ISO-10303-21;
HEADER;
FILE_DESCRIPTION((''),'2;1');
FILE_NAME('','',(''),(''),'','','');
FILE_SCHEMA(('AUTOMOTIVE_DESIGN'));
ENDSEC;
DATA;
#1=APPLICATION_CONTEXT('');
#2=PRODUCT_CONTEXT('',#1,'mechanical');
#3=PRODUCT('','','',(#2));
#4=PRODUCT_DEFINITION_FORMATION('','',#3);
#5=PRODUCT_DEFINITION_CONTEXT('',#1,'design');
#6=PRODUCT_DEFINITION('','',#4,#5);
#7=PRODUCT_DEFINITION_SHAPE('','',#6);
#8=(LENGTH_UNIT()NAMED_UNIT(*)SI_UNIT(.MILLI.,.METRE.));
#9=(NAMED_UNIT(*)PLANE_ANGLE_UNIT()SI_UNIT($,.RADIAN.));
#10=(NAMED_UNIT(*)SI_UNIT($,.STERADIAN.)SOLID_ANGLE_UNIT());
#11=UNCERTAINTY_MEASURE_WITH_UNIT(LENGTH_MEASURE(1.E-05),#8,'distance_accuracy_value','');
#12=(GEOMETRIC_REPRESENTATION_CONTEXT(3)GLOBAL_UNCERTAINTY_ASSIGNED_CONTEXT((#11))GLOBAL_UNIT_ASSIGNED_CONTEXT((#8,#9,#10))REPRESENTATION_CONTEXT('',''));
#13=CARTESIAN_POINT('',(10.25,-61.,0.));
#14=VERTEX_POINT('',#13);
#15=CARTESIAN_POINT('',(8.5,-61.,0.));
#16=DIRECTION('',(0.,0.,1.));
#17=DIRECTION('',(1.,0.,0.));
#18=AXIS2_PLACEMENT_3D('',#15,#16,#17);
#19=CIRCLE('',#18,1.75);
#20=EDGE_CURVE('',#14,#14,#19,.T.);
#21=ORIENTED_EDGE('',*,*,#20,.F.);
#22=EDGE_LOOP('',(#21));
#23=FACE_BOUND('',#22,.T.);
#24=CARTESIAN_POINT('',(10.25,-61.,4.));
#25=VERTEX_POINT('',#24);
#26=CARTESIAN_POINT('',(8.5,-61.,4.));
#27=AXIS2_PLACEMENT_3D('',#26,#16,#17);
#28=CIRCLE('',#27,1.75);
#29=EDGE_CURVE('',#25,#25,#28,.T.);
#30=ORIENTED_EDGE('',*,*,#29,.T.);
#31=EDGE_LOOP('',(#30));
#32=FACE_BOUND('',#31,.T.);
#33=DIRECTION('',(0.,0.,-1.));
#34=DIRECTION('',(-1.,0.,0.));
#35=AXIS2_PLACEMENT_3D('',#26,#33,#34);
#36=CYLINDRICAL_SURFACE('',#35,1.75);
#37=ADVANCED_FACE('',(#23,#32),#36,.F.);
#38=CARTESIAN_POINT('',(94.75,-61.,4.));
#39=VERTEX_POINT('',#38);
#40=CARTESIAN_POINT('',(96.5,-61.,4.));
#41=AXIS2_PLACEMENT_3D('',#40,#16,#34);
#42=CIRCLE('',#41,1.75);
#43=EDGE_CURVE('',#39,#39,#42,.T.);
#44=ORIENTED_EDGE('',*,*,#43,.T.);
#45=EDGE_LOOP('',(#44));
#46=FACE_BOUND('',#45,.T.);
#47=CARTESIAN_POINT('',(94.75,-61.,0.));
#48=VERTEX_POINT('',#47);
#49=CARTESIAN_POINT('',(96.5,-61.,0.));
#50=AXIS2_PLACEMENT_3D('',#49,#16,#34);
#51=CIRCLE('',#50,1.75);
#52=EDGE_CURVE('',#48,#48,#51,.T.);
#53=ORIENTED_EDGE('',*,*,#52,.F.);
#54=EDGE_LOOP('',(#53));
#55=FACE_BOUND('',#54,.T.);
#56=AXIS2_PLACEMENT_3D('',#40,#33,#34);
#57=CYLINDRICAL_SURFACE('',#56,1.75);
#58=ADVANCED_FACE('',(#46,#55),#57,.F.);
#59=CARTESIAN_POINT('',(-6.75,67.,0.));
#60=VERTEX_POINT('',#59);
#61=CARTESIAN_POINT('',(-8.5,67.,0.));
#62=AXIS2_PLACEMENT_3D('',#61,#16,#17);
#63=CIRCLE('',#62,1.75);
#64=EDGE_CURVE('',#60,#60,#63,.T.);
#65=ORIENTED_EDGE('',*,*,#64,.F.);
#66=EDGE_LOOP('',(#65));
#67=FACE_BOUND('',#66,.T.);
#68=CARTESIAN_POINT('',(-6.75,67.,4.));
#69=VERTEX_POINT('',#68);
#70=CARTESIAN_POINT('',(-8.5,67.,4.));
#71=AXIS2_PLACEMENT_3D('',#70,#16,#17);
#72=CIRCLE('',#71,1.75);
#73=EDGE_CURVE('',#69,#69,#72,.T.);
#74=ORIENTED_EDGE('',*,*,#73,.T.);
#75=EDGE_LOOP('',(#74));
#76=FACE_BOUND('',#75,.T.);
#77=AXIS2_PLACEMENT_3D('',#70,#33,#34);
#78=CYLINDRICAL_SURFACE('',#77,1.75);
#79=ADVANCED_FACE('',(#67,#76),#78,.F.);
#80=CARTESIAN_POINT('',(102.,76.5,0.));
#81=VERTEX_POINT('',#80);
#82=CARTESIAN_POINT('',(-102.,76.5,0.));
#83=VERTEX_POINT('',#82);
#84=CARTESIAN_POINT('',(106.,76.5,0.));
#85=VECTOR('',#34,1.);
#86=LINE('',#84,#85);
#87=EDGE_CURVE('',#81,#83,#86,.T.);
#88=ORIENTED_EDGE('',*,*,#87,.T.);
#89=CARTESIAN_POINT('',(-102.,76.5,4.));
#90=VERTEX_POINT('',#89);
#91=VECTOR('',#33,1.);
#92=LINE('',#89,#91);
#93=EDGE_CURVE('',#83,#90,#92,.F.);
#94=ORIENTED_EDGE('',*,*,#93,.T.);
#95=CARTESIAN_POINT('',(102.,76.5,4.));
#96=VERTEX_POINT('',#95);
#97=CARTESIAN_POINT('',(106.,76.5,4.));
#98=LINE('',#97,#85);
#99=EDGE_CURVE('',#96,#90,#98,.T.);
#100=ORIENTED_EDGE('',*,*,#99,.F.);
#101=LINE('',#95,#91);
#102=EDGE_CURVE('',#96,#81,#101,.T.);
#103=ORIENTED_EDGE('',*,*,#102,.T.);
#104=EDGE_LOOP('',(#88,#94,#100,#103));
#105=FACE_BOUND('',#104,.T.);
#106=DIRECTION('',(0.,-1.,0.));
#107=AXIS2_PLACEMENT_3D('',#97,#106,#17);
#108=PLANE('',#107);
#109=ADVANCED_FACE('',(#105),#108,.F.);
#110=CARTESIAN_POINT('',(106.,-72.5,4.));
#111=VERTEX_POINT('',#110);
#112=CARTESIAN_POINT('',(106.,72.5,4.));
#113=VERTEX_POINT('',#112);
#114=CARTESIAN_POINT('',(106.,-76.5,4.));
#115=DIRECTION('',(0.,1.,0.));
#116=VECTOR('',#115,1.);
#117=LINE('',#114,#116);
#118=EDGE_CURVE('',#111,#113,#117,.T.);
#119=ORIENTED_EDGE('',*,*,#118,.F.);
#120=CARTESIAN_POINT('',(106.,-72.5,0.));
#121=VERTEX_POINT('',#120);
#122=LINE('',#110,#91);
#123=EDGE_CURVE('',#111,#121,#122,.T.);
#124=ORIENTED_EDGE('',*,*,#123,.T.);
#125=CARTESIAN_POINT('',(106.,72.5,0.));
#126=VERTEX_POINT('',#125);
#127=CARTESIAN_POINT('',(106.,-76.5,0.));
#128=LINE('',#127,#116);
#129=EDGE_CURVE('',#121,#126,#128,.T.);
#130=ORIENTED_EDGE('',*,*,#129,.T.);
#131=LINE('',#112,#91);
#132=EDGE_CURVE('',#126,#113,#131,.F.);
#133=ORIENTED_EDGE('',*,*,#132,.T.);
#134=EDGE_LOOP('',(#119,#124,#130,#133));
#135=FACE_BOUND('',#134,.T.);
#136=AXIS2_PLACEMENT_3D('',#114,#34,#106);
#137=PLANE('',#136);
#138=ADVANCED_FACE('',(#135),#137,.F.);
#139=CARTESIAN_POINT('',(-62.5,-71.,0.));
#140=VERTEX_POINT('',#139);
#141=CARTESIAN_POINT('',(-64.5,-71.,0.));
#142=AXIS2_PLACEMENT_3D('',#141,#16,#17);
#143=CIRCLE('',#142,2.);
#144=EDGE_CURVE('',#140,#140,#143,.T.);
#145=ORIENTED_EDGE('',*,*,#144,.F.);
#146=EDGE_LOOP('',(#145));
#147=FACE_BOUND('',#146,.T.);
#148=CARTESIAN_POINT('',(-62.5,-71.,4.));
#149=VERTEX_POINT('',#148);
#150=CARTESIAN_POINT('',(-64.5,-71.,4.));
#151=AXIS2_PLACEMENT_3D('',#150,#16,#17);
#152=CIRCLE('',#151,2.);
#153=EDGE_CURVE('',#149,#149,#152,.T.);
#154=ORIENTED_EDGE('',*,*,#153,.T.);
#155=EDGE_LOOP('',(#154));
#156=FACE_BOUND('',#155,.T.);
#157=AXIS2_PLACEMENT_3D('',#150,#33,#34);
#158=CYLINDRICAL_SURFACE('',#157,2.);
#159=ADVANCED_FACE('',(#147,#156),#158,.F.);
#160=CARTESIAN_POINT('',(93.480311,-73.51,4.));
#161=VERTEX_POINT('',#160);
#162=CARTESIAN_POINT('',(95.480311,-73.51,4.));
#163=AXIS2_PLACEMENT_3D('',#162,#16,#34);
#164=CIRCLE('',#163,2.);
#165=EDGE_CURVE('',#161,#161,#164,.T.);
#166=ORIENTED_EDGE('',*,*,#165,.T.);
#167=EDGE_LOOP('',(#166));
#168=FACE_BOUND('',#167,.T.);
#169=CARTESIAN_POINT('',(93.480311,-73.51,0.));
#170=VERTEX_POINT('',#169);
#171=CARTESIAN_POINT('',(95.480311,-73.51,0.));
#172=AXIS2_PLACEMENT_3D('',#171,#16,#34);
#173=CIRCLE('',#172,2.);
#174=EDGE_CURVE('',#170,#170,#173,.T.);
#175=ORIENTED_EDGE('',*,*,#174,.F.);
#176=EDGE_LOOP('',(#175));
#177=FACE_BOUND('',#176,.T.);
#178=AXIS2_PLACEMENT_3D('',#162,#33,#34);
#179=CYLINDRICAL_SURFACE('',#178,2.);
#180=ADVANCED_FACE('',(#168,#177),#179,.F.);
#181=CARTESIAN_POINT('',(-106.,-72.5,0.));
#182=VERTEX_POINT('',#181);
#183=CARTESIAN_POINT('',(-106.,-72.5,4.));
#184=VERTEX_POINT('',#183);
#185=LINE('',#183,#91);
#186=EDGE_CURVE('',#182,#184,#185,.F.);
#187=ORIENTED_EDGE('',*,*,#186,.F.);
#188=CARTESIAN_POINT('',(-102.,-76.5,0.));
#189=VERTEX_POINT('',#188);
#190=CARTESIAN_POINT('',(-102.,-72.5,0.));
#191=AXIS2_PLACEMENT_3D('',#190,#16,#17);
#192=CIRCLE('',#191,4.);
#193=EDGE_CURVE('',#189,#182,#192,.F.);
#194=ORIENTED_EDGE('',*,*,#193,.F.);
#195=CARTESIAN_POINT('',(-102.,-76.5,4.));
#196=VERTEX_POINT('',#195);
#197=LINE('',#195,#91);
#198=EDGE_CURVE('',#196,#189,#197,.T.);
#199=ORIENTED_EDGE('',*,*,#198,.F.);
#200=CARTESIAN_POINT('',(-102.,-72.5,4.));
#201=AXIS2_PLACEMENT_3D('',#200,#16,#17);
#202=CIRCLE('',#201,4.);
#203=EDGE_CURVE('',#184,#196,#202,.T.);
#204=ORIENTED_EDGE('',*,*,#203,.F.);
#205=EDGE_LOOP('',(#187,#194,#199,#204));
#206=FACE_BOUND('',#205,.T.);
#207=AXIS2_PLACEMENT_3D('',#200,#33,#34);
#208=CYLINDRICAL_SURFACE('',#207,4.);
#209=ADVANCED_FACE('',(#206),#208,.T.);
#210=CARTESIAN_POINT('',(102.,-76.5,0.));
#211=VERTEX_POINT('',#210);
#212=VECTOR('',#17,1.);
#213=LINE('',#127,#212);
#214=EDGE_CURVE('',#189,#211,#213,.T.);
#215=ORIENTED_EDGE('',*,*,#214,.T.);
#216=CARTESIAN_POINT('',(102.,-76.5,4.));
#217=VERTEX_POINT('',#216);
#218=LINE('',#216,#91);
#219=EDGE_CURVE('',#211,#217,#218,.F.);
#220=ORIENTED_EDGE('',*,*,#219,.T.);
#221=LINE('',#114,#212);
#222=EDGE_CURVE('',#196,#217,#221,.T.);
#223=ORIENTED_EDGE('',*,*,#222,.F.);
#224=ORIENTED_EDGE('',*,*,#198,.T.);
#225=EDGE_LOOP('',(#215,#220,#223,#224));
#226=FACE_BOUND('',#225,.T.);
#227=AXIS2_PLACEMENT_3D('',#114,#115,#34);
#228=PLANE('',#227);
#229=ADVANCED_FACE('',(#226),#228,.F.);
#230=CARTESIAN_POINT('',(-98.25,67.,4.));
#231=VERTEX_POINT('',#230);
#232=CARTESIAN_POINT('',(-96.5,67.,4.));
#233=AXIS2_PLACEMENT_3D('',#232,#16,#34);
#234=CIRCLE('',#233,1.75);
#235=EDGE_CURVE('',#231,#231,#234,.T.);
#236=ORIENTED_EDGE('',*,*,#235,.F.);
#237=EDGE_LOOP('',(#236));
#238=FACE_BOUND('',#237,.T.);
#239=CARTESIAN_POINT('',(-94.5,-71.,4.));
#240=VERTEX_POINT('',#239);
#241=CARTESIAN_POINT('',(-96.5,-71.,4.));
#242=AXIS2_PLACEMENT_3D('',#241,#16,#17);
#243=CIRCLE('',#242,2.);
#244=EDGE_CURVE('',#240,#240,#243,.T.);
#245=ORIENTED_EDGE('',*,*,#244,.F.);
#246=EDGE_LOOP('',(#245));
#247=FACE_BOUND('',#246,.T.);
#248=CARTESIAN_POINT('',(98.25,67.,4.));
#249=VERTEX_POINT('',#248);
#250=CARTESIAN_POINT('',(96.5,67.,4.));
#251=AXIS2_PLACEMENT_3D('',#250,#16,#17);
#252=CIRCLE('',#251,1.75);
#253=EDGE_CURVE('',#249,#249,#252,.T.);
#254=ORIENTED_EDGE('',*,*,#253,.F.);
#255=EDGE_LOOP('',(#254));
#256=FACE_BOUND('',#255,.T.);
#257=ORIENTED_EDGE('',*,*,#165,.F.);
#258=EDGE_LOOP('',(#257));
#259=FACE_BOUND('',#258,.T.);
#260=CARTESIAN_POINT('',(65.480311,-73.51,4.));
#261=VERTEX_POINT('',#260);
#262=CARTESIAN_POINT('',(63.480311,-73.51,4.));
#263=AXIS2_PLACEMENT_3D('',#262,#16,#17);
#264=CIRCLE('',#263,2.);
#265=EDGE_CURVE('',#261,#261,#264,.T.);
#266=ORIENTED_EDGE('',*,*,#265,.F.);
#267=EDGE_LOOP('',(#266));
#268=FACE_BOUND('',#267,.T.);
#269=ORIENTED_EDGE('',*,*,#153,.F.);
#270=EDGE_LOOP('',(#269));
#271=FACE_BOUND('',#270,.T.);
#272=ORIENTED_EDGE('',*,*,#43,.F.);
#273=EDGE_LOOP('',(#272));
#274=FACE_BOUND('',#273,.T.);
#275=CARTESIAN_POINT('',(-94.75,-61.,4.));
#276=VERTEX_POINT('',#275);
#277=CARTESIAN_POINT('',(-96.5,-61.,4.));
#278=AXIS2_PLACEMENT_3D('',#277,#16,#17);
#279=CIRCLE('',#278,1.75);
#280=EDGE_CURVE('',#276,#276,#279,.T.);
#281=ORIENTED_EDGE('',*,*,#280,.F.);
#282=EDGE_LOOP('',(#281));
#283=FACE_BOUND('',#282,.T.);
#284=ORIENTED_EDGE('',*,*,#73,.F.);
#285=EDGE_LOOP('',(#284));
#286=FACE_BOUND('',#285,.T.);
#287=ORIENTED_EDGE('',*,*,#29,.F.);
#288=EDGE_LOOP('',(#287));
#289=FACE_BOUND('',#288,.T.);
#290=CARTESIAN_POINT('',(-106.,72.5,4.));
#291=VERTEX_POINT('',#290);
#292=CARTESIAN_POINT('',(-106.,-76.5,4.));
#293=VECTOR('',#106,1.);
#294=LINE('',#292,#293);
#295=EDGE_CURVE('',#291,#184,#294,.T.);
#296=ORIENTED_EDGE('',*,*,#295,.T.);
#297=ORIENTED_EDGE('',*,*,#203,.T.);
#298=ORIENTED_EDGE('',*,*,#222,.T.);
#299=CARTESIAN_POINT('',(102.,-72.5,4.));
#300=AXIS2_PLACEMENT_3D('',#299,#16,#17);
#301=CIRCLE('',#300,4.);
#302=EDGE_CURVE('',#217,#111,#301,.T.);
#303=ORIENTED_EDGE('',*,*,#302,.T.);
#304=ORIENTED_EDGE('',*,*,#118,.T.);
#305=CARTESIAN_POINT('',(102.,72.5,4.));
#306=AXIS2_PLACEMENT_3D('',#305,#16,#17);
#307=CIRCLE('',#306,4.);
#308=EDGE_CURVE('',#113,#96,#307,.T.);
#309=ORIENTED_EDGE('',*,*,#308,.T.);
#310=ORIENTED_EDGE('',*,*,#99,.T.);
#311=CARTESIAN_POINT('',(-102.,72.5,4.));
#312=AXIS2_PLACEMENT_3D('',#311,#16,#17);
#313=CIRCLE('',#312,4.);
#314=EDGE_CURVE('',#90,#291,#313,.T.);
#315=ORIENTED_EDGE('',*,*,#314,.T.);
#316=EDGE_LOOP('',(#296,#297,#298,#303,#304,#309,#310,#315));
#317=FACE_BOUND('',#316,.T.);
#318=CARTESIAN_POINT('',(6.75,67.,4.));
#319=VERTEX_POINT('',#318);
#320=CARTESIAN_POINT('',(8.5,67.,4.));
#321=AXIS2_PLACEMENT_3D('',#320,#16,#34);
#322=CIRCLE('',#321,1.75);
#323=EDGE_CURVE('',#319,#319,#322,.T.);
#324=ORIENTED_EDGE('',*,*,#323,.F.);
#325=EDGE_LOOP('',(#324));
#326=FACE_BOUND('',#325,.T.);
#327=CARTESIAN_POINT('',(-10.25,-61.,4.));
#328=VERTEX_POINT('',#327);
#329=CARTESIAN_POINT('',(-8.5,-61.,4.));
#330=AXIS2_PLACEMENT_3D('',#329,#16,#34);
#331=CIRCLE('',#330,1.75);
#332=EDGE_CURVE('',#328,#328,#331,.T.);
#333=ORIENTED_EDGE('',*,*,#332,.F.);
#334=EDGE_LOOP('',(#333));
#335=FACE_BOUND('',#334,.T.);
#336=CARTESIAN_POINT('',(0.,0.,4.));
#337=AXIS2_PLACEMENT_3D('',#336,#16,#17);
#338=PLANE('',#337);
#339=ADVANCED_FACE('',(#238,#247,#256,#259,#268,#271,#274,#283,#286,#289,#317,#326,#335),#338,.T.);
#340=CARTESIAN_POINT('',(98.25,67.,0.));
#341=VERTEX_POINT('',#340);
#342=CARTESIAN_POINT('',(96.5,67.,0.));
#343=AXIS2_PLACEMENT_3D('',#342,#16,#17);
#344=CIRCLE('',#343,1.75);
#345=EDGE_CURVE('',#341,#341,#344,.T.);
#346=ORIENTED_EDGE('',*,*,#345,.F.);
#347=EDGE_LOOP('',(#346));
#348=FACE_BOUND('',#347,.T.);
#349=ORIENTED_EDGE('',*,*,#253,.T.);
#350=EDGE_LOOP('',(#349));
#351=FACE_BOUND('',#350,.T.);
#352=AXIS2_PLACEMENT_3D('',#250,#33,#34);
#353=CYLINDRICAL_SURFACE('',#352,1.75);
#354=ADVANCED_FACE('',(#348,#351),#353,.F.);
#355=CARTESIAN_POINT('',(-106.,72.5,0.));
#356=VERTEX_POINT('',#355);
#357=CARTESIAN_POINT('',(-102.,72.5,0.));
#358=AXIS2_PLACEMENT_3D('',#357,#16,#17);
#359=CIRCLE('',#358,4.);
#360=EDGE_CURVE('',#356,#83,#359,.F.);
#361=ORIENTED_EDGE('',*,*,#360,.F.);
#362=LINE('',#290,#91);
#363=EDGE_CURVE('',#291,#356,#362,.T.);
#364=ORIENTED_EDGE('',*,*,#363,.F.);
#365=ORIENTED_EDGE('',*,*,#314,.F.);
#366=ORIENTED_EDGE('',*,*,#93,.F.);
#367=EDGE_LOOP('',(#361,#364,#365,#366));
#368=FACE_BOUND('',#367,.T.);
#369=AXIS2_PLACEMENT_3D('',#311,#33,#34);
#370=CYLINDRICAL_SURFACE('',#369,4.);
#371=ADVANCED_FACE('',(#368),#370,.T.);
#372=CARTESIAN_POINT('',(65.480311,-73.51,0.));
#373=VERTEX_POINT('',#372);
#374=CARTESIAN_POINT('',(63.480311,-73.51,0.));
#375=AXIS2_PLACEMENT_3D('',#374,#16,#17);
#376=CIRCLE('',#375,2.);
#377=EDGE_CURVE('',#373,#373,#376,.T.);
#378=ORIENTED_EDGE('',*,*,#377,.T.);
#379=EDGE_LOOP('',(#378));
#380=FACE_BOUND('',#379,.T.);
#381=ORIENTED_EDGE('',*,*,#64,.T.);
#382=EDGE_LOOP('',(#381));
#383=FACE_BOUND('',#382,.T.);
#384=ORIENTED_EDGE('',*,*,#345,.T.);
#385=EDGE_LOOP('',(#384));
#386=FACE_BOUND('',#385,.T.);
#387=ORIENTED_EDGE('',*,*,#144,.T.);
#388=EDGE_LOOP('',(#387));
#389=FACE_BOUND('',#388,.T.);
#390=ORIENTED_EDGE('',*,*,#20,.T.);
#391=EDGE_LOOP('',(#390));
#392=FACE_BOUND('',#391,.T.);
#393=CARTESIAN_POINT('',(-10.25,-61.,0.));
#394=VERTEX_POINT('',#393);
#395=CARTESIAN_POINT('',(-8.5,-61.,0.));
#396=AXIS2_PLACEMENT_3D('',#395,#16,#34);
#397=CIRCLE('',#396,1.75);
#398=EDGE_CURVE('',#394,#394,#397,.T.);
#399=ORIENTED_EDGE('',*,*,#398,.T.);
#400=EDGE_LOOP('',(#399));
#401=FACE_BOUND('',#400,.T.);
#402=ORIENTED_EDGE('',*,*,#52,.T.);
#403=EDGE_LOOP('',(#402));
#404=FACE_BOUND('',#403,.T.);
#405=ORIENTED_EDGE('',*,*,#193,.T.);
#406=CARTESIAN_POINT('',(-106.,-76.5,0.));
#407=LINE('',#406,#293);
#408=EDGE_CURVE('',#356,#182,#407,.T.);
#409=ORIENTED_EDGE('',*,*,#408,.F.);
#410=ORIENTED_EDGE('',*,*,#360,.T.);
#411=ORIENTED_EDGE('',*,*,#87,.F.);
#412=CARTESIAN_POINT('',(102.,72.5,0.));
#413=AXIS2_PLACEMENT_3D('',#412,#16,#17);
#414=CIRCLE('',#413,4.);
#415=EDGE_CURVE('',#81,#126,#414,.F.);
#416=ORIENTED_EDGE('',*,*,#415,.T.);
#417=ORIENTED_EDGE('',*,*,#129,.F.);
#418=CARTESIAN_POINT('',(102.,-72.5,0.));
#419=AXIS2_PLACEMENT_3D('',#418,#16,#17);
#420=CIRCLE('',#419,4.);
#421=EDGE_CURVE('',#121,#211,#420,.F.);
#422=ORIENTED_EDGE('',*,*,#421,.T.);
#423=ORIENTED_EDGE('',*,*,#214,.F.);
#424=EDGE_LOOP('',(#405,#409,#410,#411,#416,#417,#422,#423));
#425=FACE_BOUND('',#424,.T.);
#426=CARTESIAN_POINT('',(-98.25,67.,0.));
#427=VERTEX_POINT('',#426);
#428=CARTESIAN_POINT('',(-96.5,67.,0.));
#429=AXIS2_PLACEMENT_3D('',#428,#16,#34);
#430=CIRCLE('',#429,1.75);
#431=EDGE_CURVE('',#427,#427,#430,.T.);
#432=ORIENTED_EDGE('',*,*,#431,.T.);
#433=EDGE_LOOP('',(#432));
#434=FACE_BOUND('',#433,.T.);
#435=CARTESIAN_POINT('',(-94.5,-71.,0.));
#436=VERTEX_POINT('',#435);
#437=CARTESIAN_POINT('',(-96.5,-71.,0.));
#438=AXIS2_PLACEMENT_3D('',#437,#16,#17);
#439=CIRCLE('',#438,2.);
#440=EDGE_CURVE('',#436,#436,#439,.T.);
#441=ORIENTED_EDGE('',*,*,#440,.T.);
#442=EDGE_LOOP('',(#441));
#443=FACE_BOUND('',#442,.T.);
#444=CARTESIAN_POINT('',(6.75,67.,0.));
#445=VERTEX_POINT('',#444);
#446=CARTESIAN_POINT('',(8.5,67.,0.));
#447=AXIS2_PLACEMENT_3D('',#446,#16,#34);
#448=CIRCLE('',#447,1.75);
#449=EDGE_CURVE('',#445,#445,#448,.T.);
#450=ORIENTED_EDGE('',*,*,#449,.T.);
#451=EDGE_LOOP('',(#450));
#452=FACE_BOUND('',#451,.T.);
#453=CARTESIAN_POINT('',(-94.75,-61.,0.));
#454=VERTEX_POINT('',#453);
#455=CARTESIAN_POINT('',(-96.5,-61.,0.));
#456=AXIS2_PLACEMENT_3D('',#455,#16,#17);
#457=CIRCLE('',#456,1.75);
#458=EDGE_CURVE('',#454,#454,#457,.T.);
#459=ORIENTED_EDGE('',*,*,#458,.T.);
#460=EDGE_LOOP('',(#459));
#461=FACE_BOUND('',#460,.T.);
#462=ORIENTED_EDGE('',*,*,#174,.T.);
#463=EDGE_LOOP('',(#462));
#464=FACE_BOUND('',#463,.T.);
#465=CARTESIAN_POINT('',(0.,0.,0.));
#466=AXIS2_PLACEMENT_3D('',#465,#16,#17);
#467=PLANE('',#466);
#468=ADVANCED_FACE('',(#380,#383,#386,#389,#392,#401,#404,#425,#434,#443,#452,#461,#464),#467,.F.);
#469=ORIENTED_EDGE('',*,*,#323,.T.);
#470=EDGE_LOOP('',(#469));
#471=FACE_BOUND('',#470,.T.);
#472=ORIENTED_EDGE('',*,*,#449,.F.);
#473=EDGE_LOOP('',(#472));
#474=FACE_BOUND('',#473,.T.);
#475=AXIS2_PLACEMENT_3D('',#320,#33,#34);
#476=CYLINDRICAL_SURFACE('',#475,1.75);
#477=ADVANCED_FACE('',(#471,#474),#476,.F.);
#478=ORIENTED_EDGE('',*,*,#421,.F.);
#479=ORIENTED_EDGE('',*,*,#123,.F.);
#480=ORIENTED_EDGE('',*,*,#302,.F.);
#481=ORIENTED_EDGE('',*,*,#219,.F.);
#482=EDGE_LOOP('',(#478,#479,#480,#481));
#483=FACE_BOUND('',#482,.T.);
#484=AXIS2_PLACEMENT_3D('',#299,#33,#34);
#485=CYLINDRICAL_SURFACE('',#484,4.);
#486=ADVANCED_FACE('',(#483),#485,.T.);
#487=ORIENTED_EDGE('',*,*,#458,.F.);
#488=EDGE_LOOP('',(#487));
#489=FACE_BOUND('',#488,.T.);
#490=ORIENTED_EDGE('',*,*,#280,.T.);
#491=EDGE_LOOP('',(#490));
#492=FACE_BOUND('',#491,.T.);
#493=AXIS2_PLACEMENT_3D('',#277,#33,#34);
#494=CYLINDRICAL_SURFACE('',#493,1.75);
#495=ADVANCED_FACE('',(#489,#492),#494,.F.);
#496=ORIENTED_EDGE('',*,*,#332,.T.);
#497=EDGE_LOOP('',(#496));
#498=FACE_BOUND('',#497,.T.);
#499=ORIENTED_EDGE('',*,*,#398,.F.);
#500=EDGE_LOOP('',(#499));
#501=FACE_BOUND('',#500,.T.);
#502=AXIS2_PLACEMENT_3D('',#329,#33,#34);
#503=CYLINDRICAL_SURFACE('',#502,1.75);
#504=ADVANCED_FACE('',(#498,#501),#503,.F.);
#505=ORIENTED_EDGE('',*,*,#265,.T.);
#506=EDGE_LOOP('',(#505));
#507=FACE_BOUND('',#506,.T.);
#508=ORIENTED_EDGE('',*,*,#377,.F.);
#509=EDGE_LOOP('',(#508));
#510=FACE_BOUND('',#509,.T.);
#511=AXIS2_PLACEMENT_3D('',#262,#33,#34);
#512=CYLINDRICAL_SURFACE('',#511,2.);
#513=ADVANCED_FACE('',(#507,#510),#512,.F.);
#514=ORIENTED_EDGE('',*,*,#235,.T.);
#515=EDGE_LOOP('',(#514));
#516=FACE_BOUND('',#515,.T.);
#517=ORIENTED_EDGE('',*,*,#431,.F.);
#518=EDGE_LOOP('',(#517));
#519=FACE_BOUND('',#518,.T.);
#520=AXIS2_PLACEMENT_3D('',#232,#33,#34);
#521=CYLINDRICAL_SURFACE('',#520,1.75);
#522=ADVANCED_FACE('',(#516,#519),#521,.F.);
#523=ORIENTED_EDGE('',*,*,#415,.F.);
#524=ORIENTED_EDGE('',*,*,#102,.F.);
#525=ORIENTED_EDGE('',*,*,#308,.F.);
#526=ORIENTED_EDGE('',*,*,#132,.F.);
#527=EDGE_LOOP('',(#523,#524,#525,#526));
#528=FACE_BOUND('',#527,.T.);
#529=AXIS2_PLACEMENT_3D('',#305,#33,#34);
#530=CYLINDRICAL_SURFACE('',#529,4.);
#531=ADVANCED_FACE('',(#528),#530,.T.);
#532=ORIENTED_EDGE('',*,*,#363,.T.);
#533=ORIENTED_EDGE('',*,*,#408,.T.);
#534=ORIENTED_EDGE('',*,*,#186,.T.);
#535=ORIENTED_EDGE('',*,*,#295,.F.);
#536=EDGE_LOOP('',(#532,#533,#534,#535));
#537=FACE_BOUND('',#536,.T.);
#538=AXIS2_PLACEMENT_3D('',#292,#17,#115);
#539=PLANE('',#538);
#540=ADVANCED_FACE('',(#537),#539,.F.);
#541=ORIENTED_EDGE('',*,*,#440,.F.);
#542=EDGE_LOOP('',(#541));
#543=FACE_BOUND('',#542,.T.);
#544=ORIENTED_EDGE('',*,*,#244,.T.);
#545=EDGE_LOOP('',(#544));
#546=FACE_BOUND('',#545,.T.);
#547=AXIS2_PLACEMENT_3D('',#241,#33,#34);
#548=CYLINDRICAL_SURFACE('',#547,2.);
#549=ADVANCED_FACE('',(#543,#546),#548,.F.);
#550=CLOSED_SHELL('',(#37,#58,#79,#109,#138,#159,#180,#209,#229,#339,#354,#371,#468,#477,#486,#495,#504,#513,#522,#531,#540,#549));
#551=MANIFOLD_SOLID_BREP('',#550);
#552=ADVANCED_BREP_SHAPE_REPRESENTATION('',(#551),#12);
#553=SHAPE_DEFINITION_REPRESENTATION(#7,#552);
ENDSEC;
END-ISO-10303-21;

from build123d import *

# Parameters (mm, degrees)
SKETCH1_W           = 212
SKETCH1_H           = 153
SKETCH1_R           = 1.75
SKETCH1_R_2         = 2
BOSS_EXTRUDE1_DEPTH = 4
FILLET1_R           = 4


with BuildPart() as part:
    # Sketch1 → Boss-Extrude1 (new body)
    with BuildSketch(Plane.XY):
        Rectangle(SKETCH1_W, SKETCH1_H)
        with Locations((-96.5, -61)):
            Circle(SKETCH1_R, mode=Mode.SUBTRACT)
        with Locations(Location((-8.5, -61, 0), (0, 0, 180))):
            Circle(SKETCH1_R, mode=Mode.SUBTRACT)
        with Locations((8.5, -61)):
            Circle(SKETCH1_R, mode=Mode.SUBTRACT)
        with Locations(Location((96.5, -61, 0), (0, 0, 180))):
            Circle(SKETCH1_R, mode=Mode.SUBTRACT)
        with Locations(Location((-96.5, 67, 0), (0, 0, 180))):
            Circle(SKETCH1_R, mode=Mode.SUBTRACT)
        with Locations((96.5, 67)):
            Circle(SKETCH1_R, mode=Mode.SUBTRACT)
        with Locations(Location((8.5, 67, 0), (0, 0, 180))):
            Circle(SKETCH1_R, mode=Mode.SUBTRACT)
        with Locations((-8.5, 67)):
            Circle(SKETCH1_R, mode=Mode.SUBTRACT)
        with Locations((-96.5, -71)):
            Circle(SKETCH1_R_2, mode=Mode.SUBTRACT)
        with Locations(Location((95.480310976, -73.51, 0), (0, 0, 180))):
            Circle(SKETCH1_R_2, mode=Mode.SUBTRACT)
        with Locations((-64.5, -71)):
            Circle(SKETCH1_R_2, mode=Mode.SUBTRACT)
        with Locations((63.480310976, -73.51)):
            Circle(SKETCH1_R_2, mode=Mode.SUBTRACT)
    extrude(amount=BOSS_EXTRUDE1_DEPTH)

    # Fillet1
    fillet1_edges = [part.edges().sort_by_distance(p)[0] for p in [
        (-106, 76.5, 2),
        (106, 76.5, 2),
        (106, -76.5, 2),
        (-106, -76.5, 2),
    ]]
    fillet(fillet1_edges, radius=FILLET1_R)


solid = part.part
